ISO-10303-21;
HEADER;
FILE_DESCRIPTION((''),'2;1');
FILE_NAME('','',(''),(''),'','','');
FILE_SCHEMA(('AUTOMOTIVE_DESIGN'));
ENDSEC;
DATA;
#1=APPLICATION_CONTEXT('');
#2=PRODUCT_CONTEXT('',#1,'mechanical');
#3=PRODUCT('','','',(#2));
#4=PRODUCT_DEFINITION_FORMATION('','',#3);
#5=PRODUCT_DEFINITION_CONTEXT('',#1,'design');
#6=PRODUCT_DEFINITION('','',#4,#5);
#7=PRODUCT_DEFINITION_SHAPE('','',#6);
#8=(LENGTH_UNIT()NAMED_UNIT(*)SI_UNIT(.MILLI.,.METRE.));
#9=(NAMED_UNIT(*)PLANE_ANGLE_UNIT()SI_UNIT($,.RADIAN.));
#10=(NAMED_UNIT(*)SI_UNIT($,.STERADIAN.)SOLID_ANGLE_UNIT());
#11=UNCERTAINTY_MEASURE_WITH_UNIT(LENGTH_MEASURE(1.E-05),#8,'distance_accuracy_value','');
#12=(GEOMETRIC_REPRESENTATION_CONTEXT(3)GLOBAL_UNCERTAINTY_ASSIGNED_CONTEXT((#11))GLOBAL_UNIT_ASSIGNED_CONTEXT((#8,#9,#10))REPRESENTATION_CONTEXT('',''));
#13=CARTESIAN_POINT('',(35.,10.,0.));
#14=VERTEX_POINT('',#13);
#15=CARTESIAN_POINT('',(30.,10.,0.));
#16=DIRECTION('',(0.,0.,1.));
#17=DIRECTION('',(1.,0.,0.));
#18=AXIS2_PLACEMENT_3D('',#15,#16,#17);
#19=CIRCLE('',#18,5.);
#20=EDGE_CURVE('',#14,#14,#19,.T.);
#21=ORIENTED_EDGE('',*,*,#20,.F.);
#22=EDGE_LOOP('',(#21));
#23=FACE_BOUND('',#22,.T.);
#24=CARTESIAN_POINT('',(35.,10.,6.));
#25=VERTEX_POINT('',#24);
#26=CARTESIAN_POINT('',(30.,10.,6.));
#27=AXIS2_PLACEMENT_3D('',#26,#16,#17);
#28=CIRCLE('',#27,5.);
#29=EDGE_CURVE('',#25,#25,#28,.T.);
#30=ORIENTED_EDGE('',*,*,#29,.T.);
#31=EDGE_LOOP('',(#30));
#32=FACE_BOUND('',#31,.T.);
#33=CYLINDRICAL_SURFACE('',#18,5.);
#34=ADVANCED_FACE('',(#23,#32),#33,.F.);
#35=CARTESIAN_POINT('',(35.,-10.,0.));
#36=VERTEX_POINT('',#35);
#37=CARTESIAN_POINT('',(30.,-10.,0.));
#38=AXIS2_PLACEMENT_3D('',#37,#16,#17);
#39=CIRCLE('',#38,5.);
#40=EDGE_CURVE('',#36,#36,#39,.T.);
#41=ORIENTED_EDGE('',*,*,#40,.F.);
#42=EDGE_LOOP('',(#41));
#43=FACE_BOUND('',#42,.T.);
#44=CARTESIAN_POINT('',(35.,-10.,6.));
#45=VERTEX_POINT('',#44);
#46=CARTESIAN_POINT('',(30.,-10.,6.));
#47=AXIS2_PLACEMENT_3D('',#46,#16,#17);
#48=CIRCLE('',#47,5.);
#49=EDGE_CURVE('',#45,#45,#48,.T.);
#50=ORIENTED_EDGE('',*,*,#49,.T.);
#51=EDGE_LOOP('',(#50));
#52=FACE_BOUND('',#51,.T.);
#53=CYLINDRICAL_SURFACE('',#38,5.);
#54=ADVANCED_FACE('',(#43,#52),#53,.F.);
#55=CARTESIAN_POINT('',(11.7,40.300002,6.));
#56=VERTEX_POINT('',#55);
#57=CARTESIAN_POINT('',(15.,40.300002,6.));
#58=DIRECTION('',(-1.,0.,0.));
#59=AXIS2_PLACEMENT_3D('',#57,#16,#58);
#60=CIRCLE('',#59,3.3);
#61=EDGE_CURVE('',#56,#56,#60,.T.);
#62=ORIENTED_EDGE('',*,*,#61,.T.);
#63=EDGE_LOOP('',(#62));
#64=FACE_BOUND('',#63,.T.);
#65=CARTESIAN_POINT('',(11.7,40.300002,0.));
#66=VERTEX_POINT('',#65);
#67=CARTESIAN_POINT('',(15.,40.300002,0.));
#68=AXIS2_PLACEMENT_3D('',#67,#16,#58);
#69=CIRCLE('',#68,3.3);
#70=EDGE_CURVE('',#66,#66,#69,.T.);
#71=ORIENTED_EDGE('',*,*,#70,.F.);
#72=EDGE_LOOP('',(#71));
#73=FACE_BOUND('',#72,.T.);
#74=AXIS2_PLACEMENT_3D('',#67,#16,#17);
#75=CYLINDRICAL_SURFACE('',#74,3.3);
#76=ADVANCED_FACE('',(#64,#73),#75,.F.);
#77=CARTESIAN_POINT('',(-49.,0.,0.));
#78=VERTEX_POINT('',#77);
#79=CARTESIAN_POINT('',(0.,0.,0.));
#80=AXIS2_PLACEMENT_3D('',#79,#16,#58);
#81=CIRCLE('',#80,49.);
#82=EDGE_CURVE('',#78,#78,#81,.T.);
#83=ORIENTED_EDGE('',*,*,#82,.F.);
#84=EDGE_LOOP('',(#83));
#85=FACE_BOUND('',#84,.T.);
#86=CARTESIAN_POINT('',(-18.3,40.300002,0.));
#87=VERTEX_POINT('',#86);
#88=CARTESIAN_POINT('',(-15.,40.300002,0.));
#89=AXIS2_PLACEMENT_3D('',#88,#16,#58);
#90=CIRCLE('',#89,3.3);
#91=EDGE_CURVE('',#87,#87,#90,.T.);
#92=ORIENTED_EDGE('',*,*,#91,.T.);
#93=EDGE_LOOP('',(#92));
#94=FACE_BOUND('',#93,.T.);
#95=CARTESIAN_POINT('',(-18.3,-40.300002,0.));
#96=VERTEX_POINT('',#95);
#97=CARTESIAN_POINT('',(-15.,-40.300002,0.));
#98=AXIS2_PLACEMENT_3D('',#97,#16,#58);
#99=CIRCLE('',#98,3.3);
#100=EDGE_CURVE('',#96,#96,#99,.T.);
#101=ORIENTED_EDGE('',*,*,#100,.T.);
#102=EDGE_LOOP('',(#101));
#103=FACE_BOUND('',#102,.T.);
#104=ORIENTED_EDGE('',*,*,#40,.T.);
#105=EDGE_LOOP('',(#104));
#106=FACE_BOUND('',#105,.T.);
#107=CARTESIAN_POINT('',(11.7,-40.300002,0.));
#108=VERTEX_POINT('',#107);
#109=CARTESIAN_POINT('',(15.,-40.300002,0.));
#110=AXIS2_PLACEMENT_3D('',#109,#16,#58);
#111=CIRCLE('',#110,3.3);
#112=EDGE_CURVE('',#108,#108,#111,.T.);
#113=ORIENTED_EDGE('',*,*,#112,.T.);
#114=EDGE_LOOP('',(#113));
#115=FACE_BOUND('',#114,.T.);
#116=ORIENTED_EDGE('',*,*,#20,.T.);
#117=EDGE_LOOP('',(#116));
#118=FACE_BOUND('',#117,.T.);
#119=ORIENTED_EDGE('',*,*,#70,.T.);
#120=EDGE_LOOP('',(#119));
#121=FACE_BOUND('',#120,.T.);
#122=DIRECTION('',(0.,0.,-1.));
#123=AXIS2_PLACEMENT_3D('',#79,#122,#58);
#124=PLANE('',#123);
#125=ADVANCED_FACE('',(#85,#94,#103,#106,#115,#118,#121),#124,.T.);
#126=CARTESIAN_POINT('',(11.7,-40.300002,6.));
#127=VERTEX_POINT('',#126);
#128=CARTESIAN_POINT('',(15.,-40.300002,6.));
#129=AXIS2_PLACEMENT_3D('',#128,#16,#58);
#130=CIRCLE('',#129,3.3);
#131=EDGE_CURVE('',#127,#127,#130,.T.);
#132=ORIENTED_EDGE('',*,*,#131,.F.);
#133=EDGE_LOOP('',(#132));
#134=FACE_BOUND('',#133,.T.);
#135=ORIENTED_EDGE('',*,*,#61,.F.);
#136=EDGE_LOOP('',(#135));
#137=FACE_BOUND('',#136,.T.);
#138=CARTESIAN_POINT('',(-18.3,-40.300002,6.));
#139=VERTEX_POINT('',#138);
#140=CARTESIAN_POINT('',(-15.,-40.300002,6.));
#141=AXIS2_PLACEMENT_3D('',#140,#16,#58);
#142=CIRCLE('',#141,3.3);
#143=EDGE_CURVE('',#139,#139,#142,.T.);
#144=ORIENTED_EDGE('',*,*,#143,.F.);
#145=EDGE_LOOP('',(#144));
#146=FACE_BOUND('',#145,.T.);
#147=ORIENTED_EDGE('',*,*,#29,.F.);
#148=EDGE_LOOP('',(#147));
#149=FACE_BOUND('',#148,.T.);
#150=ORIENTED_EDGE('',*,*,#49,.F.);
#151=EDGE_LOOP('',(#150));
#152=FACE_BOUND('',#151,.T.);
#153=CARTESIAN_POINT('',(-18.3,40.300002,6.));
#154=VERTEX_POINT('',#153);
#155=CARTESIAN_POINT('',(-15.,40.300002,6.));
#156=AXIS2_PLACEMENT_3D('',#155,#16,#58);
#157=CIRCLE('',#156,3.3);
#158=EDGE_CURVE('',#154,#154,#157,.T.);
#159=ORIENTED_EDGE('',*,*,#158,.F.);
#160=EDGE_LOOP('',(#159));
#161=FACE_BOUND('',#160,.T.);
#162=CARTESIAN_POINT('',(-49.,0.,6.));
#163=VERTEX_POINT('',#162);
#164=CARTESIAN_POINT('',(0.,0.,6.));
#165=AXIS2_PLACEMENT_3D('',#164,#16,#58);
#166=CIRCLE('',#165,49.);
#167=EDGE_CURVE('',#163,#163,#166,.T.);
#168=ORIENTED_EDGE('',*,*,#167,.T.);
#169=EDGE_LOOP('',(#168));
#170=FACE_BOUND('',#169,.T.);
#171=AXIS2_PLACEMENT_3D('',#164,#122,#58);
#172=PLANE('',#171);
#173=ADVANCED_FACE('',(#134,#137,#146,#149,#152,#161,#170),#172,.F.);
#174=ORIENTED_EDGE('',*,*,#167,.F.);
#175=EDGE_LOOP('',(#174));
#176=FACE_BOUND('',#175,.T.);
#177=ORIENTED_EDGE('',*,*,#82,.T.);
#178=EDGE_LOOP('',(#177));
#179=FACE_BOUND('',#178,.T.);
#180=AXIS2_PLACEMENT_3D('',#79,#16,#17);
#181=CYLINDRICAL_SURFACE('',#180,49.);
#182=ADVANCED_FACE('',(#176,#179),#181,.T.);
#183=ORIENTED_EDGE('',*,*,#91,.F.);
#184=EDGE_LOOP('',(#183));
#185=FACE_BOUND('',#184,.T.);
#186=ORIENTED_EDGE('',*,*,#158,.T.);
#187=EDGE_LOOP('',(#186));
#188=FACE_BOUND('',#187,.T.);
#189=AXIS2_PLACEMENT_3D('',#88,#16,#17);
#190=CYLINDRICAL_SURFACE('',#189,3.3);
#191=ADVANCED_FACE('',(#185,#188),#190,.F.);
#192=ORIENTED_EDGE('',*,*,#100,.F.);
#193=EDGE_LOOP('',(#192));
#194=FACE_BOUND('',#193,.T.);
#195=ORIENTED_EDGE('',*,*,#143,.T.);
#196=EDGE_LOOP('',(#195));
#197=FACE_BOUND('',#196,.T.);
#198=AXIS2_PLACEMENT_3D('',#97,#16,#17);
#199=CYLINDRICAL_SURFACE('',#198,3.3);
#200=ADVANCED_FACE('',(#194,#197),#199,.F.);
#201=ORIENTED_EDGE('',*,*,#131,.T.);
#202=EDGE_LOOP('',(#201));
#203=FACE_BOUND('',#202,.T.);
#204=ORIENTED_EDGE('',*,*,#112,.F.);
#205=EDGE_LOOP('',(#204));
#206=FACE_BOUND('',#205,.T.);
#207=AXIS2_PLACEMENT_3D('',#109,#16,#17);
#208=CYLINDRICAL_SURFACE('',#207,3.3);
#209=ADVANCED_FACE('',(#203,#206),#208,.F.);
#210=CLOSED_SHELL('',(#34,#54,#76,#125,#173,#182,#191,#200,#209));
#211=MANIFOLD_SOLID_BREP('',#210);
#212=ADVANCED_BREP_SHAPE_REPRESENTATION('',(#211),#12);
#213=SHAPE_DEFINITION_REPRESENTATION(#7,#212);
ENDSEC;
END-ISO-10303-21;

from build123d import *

# Parameters (mm, degrees)
SKETCH_1_R          = 49
SKETCH_1_R_2        = 3.3
EXTRUDE_1_DEPTH     = 6
SKETCH_2_R          = 5
CUT_EXTRUDE_1_DEPTH = 70.555733049


with BuildPart() as part:
    # 草图1 → 凸台-拉伸1 (new body)
    with BuildSketch(Plane.XY.offset(6)):
        with Locations(Location((0, 0, 0), (0, 0, 180))):
            Circle(SKETCH_1_R)
        with Locations(Location((15, 40.300002161, 0), (0, 0, 180))):
            Circle(SKETCH_1_R_2, mode=Mode.SUBTRACT)
        with Locations(Location((15, -40.300002161, 0), (0, 0, 180))):
            Circle(SKETCH_1_R_2, mode=Mode.SUBTRACT)
        with Locations(Location((-15, 40.300002161, 0), (0, 0, 180))):
            Circle(SKETCH_1_R_2, mode=Mode.SUBTRACT)
        with Locations(Location((-15, -40.300002161, 0), (0, 0, 180))):
            Circle(SKETCH_1_R_2, mode=Mode.SUBTRACT)
    extrude(amount=-EXTRUDE_1_DEPTH)

    # 草图2 → 切除-拉伸1 (cut, through all)
    with BuildSketch(Plane.XY.offset(6)):
        with Locations((30, 10)):
            Circle(SKETCH_2_R)
        with Locations((30, -10)):
            Circle(SKETCH_2_R)
    extrude(amount=-CUT_EXTRUDE_1_DEPTH, mode=Mode.SUBTRACT)


solid = part.part
